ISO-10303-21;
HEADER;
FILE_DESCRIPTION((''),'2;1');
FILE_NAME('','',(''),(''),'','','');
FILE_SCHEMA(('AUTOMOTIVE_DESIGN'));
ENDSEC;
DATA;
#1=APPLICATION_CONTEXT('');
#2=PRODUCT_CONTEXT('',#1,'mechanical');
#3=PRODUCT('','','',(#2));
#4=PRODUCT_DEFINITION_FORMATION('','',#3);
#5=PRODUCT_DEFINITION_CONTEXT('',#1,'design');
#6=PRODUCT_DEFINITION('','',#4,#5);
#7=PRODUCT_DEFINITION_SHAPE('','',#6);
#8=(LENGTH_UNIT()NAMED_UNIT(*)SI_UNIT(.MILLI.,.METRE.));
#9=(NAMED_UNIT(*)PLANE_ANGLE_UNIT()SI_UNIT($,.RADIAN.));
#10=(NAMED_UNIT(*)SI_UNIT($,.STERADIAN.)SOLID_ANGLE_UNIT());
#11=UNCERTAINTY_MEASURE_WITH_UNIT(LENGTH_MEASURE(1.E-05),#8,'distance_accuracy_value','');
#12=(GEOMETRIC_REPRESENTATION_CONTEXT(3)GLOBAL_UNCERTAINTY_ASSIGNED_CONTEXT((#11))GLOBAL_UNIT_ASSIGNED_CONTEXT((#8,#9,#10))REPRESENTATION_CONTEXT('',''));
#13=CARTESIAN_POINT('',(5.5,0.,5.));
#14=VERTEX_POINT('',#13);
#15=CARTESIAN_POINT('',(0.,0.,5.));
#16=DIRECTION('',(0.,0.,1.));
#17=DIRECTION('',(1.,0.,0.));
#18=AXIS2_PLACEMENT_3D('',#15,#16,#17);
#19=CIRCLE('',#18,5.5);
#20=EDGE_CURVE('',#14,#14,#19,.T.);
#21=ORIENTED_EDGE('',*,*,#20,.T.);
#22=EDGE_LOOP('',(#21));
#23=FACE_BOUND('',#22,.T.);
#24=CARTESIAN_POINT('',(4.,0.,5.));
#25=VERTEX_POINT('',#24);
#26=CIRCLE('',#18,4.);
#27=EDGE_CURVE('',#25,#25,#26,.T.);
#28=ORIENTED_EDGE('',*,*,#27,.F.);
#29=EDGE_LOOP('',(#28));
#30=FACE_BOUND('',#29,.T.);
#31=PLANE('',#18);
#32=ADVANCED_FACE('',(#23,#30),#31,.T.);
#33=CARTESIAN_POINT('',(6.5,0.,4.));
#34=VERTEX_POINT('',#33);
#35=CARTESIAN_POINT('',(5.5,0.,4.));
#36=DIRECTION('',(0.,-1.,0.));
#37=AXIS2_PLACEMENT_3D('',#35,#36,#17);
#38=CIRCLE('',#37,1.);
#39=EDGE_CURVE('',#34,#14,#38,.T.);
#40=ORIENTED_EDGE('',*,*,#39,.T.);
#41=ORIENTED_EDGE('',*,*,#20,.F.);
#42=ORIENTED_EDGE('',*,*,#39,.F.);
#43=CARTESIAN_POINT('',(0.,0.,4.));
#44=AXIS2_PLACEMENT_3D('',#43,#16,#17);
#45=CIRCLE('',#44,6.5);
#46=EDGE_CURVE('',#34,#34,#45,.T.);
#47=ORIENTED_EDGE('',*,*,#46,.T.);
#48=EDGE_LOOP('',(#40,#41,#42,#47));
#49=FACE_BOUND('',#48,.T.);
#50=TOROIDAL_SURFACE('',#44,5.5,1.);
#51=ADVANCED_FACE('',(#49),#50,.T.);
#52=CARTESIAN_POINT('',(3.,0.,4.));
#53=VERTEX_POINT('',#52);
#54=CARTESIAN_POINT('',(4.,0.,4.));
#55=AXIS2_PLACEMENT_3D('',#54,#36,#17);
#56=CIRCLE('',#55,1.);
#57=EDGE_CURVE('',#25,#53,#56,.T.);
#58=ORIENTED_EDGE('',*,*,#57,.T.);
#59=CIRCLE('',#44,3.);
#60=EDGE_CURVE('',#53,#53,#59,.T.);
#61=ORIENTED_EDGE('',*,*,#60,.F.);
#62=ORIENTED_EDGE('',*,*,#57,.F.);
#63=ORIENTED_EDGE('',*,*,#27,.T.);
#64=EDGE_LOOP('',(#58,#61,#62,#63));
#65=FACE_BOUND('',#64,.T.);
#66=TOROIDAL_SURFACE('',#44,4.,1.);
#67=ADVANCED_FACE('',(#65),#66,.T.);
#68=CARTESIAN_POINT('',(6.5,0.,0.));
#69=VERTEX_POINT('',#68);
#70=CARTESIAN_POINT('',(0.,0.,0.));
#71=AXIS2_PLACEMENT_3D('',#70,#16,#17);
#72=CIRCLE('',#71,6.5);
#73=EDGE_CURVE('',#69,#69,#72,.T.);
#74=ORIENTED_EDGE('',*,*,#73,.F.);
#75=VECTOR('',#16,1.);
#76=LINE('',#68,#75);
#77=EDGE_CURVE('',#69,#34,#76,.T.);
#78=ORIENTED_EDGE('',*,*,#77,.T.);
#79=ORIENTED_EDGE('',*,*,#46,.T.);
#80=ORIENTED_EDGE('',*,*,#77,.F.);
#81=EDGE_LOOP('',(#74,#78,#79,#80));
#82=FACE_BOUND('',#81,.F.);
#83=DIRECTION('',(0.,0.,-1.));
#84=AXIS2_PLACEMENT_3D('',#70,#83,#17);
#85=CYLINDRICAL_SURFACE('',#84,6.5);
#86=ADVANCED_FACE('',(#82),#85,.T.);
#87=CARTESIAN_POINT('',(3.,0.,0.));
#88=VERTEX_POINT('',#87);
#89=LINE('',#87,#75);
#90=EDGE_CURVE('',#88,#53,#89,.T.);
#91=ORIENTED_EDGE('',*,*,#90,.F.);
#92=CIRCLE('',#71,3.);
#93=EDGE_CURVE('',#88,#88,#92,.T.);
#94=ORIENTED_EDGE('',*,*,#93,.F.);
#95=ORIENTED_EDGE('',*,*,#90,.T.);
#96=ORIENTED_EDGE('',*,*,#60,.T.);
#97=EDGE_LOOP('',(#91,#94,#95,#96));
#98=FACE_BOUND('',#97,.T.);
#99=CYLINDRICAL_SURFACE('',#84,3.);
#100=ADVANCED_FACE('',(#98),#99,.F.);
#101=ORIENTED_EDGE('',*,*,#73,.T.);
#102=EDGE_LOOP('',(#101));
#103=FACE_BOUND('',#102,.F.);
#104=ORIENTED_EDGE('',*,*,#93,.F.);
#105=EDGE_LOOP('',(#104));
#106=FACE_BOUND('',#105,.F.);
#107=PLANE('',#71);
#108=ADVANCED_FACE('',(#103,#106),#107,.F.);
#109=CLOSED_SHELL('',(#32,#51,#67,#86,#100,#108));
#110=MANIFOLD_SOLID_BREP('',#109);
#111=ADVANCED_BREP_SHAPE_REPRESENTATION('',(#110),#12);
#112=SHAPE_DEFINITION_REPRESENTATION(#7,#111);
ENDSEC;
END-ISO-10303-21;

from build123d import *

# Parameters (mm, degrees)
F0_R     = 6.5
F0_R_2   = 3
F1_DEPTH = 5
F2_DEPTH = 5
F3_R     = 1


with BuildPart() as f1:
    # F0 (on Top) → F1 (new body)
    with BuildSketch(Plane.XY):
        Circle(F0_R)
        Circle(F0_R_2, mode=Mode.SUBTRACT)
    extrude(amount=F1_DEPTH)

    # F0 (on Top) → F2 (join)
    with BuildSketch(Plane.XY):
        Circle(F0_R)
        Circle(F0_R_2, mode=Mode.SUBTRACT)
    extrude(amount=F2_DEPTH)

    # F3
    f3_edges = [f1.edges().sort_by_distance(p)[0] for p in [
        (-3, 0, 5),
        (-6.5, 0, 5),
    ]]
    fillet(f3_edges, radius=F3_R)


solid = f1.part
